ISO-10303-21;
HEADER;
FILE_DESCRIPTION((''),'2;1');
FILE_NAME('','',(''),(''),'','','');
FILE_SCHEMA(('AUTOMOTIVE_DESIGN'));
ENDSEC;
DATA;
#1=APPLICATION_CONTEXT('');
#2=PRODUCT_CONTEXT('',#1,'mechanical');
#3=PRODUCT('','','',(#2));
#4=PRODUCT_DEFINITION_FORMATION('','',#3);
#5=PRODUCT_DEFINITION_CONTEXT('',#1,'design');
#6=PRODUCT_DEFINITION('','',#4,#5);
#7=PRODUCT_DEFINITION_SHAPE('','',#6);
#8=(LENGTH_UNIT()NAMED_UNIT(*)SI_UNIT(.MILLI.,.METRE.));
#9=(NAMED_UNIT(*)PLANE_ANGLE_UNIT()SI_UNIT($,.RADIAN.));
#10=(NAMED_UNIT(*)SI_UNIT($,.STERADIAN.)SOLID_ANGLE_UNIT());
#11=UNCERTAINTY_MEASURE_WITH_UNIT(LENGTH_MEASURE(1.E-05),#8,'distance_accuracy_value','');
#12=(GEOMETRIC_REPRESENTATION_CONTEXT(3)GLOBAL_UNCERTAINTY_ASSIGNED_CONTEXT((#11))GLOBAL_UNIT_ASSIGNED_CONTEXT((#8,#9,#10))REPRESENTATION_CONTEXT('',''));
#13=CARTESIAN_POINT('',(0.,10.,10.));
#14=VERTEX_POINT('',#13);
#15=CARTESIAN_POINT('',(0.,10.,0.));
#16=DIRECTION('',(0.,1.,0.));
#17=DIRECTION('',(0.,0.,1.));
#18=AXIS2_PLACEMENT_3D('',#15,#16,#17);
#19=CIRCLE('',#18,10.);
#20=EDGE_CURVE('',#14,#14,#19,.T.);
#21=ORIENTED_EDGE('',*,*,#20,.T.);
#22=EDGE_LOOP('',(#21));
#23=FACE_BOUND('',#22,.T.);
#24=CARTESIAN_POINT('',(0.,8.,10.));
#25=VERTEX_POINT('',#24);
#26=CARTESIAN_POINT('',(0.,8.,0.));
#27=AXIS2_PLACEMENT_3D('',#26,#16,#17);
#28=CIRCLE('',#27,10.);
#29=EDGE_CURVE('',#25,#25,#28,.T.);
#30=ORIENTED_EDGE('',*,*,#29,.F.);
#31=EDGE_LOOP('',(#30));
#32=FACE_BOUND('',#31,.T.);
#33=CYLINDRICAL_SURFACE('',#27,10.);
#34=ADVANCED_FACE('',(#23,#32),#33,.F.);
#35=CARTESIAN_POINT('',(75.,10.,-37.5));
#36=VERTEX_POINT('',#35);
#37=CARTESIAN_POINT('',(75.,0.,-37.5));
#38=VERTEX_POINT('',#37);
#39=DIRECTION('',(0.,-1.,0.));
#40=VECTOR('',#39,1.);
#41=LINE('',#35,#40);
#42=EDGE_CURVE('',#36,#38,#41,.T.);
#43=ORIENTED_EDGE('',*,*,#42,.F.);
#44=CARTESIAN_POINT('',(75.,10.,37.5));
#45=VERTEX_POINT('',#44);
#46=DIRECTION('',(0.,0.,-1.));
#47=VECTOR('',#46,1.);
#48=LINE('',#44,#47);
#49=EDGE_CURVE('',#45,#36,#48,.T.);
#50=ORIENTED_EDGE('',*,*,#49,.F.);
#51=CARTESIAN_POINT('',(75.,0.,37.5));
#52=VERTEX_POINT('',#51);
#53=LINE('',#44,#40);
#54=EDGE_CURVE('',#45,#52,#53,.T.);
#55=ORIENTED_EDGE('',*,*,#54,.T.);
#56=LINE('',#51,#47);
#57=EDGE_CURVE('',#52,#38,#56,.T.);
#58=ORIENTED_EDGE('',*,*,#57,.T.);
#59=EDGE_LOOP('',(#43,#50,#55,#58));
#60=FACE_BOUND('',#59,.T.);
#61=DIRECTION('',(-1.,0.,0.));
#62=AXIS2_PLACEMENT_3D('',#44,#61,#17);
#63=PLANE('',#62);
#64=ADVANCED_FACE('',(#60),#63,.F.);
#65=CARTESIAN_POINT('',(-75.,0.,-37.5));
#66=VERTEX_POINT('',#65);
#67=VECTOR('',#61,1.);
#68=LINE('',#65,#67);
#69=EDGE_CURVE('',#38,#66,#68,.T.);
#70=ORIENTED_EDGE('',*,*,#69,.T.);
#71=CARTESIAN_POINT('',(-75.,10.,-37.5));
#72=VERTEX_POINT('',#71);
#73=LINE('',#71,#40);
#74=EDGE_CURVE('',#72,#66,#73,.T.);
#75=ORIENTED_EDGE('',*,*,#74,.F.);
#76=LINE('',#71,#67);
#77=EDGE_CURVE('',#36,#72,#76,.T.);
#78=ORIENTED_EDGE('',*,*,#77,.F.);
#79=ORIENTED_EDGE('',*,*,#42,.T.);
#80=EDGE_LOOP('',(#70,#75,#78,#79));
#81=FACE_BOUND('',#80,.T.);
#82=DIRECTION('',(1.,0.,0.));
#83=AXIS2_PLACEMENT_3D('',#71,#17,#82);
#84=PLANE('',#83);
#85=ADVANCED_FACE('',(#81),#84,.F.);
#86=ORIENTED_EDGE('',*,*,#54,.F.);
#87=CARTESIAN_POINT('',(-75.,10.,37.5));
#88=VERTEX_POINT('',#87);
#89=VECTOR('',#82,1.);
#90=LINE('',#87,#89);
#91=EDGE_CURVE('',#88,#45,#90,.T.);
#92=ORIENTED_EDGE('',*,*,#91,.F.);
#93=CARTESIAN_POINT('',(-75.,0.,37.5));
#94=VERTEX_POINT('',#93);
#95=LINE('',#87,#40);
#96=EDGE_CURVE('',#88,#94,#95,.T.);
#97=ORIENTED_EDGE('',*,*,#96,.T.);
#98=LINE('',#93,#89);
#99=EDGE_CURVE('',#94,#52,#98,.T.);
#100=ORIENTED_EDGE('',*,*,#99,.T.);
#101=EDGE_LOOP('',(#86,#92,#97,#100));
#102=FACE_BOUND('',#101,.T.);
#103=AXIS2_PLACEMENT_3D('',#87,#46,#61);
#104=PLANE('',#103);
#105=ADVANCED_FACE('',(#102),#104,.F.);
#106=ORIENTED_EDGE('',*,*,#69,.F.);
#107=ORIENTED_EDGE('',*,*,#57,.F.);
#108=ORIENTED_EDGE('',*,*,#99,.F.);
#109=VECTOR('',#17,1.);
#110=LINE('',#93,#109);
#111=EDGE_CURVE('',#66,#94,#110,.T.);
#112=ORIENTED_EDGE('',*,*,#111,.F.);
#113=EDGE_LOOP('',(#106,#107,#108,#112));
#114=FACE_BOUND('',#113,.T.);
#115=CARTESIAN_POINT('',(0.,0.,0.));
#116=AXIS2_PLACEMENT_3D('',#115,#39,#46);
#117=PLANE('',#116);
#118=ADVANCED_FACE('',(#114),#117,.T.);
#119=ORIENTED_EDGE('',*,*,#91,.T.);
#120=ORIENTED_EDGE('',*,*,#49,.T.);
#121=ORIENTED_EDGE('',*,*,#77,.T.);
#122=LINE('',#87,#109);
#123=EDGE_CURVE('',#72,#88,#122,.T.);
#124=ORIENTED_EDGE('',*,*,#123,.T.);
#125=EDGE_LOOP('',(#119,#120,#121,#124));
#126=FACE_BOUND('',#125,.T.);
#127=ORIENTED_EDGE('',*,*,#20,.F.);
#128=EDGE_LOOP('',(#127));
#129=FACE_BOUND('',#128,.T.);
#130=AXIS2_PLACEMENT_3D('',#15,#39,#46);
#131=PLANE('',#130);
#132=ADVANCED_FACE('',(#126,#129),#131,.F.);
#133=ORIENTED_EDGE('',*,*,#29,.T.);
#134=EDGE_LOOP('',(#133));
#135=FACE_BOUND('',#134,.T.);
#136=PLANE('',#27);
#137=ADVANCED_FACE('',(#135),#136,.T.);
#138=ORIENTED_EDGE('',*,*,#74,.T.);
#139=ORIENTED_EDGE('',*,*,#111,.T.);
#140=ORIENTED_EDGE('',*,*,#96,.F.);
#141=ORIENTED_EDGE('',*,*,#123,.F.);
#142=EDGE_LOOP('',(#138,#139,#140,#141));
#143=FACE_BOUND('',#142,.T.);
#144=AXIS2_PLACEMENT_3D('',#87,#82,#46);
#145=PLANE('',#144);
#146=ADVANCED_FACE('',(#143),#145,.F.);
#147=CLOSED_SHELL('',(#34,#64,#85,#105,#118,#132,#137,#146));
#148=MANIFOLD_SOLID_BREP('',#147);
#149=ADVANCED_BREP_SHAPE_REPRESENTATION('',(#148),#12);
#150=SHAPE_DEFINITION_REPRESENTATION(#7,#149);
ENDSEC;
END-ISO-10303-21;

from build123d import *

# Parameters (mm, degrees)
SKETCH_1_W          = 150
SKETCH_1_H          = 75
EXTRUDE_1_DEPTH     = 10
SKETCH_2_R          = 10
CUT_EXTRUDE_1_DEPTH = 2


with BuildPart() as part:
    # 草图1 → 凸台-拉伸1 (new body)
    with BuildSketch(Plane(origin=(0, 0, 0), x_dir=(1, 0, 0), z_dir=(0, 1, 0))):
        Rectangle(SKETCH_1_W, SKETCH_1_H)
    extrude(amount=EXTRUDE_1_DEPTH)

    # 草图2 → 切除-拉伸1 (cut)
    with BuildSketch(Plane(origin=(0, 10, 0), x_dir=(1, 0, 0), z_dir=(0, 1, 0))):
        Circle(SKETCH_2_R)
    extrude(amount=-CUT_EXTRUDE_1_DEPTH, mode=Mode.SUBTRACT)


solid = part.part
